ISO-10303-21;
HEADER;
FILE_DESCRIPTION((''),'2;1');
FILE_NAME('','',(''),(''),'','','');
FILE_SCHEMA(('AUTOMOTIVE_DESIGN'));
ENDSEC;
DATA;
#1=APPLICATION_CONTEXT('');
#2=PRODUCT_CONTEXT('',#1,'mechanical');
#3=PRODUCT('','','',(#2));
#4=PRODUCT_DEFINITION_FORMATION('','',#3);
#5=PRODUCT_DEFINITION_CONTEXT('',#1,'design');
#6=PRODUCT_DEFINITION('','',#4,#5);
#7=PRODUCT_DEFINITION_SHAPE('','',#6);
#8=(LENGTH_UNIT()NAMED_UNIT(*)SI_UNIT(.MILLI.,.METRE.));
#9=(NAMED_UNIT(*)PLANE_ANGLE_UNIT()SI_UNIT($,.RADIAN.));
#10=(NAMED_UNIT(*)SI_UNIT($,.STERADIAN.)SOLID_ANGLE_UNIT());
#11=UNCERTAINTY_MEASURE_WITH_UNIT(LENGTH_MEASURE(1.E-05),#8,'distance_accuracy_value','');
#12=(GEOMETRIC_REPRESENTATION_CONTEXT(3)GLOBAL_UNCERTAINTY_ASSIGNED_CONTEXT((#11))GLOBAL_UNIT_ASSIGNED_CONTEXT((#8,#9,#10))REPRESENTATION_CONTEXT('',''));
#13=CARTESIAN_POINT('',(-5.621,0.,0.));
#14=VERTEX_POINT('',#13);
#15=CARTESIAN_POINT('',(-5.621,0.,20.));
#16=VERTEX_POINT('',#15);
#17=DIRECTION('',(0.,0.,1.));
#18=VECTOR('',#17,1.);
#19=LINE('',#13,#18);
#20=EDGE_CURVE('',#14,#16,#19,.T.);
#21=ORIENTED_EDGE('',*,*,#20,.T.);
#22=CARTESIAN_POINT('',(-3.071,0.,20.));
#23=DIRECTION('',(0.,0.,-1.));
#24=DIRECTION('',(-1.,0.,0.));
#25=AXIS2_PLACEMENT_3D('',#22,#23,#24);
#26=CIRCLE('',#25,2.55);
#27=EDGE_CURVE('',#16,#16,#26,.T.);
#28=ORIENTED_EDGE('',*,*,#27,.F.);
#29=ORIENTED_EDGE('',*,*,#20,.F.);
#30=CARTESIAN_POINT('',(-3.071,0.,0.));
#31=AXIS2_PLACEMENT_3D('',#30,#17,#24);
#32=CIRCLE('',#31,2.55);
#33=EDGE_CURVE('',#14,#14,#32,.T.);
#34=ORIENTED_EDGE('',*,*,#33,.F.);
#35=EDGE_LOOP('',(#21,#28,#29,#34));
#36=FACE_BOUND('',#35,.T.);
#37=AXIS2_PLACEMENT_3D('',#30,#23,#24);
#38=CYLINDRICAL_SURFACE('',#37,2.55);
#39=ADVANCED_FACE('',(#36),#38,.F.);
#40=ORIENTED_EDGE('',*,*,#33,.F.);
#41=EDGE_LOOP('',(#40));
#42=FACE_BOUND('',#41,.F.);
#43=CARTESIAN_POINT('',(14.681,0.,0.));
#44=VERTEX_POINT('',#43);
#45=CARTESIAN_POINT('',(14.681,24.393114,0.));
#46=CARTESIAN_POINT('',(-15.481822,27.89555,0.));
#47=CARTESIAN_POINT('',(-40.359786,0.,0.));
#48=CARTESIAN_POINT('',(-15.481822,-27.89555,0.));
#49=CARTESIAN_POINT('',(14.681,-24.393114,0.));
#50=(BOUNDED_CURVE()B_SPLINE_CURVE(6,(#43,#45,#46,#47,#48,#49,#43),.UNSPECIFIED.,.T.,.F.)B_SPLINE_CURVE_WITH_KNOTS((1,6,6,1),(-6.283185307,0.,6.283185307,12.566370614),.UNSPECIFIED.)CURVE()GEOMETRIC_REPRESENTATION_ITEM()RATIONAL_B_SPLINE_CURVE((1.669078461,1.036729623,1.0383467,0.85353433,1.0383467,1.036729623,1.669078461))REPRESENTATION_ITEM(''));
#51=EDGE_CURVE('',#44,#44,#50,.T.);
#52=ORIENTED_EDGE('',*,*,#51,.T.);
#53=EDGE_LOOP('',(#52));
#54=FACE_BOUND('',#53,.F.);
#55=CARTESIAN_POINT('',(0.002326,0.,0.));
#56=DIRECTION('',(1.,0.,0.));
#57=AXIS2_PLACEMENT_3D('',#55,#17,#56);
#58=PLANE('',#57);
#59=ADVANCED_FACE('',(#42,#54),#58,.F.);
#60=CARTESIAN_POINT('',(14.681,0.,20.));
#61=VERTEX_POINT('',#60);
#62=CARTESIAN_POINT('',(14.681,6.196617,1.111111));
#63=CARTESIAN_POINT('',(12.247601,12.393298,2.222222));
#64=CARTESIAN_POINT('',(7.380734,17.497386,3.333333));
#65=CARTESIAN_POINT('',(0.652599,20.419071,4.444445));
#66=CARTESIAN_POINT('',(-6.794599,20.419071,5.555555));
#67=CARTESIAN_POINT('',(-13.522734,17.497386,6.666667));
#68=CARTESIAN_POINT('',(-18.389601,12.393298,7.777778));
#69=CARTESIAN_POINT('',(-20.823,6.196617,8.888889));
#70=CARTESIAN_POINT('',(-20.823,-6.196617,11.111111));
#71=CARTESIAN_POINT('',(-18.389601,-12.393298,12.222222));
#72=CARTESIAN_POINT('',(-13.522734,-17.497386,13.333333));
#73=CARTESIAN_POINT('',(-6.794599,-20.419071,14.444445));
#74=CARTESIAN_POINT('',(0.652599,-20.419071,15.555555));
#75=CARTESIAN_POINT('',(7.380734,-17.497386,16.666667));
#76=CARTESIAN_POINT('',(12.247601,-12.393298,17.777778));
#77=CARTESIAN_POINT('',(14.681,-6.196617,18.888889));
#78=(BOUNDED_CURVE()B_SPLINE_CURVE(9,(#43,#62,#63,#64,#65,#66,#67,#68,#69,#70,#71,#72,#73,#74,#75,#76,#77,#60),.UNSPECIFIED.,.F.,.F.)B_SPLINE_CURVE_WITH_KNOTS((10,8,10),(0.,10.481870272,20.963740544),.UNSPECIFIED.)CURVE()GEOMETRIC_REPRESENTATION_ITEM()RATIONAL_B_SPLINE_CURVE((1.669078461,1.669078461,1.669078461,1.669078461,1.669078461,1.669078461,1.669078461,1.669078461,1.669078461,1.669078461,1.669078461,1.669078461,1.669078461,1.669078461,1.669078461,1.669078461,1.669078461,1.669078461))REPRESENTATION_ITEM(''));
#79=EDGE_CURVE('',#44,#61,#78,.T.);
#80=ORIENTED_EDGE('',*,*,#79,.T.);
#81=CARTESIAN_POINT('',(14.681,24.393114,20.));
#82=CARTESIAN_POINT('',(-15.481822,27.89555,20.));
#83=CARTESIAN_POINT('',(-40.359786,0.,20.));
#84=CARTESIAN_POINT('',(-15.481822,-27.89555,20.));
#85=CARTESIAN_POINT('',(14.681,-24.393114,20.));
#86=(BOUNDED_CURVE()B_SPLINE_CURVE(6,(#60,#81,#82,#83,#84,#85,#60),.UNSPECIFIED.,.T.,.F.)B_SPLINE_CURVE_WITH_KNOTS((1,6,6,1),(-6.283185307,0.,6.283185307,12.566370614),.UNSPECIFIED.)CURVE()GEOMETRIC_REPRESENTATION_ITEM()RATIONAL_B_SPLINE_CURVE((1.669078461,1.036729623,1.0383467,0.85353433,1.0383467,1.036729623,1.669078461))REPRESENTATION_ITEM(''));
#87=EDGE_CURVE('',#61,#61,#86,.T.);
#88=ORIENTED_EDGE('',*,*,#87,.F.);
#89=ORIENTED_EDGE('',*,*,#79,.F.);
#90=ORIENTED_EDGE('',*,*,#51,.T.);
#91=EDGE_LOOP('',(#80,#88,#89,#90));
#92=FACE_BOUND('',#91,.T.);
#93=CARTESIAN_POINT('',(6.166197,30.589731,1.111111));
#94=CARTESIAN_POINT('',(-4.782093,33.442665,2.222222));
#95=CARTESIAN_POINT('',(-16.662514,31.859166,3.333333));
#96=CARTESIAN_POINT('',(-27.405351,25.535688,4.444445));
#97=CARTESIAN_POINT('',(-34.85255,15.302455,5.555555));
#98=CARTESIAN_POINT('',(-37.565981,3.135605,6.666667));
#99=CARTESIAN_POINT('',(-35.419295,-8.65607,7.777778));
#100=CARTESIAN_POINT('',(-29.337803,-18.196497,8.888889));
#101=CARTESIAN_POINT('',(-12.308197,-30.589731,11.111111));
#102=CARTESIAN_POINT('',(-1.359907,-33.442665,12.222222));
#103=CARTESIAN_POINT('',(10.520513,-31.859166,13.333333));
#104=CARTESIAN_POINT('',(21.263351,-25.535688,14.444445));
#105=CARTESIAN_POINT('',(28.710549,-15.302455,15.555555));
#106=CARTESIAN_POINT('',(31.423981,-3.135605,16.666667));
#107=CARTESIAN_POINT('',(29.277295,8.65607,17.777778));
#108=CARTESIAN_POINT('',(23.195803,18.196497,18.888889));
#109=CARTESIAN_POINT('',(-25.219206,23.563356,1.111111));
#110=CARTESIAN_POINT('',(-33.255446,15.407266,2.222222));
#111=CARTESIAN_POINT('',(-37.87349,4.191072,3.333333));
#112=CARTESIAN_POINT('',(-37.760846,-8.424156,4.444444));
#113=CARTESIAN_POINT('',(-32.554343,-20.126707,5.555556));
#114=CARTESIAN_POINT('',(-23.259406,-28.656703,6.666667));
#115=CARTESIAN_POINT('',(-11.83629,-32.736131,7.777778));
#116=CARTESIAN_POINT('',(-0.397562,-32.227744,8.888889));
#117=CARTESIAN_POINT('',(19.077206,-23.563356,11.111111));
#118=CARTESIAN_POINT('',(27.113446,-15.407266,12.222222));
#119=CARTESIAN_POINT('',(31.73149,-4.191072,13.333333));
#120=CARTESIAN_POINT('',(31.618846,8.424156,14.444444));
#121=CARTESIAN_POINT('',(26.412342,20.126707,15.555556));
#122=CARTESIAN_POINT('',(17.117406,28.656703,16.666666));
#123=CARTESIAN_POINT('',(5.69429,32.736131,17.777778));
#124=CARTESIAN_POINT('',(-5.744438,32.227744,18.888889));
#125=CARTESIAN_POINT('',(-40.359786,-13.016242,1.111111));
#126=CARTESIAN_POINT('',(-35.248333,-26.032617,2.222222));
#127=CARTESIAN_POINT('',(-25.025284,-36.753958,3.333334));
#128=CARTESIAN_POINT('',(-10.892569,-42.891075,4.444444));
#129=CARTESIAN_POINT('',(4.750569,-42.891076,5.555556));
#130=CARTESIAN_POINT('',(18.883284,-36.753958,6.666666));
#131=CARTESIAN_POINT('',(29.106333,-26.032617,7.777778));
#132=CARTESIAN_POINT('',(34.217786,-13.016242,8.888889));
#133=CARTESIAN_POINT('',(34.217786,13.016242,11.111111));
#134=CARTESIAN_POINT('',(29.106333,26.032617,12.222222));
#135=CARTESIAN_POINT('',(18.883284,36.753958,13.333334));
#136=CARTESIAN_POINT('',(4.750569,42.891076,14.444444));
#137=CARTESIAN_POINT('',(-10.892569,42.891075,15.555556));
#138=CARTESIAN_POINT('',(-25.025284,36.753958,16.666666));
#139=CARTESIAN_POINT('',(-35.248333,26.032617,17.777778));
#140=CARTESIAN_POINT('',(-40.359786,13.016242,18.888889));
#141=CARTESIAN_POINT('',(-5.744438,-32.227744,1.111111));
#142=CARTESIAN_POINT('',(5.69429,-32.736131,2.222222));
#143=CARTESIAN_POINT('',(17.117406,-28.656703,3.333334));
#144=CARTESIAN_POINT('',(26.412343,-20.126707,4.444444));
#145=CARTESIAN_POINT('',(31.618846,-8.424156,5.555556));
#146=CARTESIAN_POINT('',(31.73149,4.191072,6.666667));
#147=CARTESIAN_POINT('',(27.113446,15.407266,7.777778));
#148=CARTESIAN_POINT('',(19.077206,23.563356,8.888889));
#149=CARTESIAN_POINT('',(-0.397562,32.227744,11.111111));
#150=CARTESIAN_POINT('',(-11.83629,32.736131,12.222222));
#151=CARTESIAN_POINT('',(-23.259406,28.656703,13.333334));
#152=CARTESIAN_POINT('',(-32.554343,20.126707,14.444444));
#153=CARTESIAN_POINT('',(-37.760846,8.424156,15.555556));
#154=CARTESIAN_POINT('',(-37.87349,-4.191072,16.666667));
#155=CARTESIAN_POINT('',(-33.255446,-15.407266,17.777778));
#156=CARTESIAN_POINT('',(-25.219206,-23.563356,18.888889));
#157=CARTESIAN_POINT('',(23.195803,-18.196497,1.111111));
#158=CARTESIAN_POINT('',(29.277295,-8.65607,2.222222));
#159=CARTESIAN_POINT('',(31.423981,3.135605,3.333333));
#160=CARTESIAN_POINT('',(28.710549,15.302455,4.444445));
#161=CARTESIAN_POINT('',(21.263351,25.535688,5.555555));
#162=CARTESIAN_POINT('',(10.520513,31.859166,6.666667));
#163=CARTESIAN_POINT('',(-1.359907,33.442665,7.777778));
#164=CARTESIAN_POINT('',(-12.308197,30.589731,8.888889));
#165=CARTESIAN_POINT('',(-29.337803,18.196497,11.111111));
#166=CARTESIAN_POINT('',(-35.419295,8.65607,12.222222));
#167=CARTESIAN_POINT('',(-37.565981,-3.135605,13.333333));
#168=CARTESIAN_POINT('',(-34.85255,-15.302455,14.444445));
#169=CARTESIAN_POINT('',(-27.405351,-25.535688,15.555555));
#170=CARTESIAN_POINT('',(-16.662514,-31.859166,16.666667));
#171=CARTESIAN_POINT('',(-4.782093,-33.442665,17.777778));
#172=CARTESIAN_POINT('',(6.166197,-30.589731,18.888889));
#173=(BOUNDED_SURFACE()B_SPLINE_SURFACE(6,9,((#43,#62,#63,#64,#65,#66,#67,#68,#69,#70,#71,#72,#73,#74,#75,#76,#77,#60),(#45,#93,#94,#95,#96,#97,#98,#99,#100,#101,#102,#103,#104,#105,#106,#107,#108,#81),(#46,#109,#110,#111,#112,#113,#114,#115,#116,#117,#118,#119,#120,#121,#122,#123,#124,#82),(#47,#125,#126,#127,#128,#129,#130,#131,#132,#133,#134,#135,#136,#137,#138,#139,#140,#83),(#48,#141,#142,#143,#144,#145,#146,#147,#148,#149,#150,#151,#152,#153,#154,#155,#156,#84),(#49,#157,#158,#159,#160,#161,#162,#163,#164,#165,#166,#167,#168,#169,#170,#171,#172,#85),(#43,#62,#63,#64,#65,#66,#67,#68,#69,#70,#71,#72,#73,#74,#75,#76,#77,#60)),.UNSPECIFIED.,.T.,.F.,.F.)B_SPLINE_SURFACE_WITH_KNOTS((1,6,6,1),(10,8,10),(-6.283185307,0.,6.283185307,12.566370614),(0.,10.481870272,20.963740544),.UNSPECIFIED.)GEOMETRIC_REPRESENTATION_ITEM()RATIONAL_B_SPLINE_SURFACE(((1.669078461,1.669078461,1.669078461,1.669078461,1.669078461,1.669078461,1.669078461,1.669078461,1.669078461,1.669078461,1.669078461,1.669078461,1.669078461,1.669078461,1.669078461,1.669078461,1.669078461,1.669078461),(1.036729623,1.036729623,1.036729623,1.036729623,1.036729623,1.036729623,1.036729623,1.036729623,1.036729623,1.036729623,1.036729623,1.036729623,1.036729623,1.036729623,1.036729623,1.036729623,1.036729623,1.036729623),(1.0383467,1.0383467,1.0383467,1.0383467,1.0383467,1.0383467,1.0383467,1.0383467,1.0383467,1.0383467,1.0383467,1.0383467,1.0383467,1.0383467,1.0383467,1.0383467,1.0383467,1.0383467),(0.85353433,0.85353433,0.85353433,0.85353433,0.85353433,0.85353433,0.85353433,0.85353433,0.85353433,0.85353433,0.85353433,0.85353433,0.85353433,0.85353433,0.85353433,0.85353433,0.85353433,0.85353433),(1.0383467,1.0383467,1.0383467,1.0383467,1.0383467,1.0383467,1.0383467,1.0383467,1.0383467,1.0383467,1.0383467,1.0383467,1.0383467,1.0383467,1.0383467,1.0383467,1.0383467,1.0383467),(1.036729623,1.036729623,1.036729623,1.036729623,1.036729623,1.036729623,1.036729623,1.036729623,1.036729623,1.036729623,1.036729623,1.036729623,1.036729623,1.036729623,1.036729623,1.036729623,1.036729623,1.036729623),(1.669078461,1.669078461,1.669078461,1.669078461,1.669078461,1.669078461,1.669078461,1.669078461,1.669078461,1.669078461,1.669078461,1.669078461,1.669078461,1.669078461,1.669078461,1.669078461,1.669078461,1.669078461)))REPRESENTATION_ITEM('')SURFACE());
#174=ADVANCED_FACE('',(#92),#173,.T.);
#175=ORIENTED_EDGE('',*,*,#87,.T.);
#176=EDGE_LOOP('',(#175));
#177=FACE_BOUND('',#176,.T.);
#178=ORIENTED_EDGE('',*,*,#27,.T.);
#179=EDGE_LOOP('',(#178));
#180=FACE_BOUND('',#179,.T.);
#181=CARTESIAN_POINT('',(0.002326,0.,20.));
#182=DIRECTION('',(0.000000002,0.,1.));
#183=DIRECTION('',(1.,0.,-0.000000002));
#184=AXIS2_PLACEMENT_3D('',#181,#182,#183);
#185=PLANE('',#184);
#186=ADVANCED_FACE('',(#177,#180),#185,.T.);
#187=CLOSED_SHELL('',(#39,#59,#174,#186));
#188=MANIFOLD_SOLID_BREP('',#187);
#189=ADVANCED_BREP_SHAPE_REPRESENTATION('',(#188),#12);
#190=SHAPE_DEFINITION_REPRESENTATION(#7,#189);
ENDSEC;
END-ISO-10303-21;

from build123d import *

# Parameters (mm, degrees)
AUSTRAGUNG1_PITCH               = 20
AUSTRAGUNG1_HEIGHT              = 20
AUSTRAGUNG1_RADIUS              = 2.55
SKIZZE2_R                       = 14.681
SKIZZE3_2_R                     = 2.55
SCHNITT_LINEAR_AUSTRAGEN2_DEPTH = 27


with BuildPart() as part:
    # Austragung1: sweep along a helix
    with BuildLine() as austragung1_path:
        Helix(AUSTRAGUNG1_PITCH, AUSTRAGUNG1_HEIGHT, AUSTRAGUNG1_RADIUS, center=(-3.071, 0, 0), direction=(0, 0, 1))
    # Skizze2 → Austragung1 (sweep)
    with BuildSketch(Plane.XY):
        Circle(SKIZZE2_R)
    sweep(path=austragung1_path.line, is_frenet=True)

    # Skizze3<2> → Schnitt-Linear austragen2 (cut)
    with BuildSketch(Plane.XY):
        with Locations(Location((-3.071, 0, 0), (0, 0, 180))):
            Circle(SKIZZE3_2_R)
    extrude(amount=SCHNITT_LINEAR_AUSTRAGEN2_DEPTH, mode=Mode.SUBTRACT)


solid = part.part
